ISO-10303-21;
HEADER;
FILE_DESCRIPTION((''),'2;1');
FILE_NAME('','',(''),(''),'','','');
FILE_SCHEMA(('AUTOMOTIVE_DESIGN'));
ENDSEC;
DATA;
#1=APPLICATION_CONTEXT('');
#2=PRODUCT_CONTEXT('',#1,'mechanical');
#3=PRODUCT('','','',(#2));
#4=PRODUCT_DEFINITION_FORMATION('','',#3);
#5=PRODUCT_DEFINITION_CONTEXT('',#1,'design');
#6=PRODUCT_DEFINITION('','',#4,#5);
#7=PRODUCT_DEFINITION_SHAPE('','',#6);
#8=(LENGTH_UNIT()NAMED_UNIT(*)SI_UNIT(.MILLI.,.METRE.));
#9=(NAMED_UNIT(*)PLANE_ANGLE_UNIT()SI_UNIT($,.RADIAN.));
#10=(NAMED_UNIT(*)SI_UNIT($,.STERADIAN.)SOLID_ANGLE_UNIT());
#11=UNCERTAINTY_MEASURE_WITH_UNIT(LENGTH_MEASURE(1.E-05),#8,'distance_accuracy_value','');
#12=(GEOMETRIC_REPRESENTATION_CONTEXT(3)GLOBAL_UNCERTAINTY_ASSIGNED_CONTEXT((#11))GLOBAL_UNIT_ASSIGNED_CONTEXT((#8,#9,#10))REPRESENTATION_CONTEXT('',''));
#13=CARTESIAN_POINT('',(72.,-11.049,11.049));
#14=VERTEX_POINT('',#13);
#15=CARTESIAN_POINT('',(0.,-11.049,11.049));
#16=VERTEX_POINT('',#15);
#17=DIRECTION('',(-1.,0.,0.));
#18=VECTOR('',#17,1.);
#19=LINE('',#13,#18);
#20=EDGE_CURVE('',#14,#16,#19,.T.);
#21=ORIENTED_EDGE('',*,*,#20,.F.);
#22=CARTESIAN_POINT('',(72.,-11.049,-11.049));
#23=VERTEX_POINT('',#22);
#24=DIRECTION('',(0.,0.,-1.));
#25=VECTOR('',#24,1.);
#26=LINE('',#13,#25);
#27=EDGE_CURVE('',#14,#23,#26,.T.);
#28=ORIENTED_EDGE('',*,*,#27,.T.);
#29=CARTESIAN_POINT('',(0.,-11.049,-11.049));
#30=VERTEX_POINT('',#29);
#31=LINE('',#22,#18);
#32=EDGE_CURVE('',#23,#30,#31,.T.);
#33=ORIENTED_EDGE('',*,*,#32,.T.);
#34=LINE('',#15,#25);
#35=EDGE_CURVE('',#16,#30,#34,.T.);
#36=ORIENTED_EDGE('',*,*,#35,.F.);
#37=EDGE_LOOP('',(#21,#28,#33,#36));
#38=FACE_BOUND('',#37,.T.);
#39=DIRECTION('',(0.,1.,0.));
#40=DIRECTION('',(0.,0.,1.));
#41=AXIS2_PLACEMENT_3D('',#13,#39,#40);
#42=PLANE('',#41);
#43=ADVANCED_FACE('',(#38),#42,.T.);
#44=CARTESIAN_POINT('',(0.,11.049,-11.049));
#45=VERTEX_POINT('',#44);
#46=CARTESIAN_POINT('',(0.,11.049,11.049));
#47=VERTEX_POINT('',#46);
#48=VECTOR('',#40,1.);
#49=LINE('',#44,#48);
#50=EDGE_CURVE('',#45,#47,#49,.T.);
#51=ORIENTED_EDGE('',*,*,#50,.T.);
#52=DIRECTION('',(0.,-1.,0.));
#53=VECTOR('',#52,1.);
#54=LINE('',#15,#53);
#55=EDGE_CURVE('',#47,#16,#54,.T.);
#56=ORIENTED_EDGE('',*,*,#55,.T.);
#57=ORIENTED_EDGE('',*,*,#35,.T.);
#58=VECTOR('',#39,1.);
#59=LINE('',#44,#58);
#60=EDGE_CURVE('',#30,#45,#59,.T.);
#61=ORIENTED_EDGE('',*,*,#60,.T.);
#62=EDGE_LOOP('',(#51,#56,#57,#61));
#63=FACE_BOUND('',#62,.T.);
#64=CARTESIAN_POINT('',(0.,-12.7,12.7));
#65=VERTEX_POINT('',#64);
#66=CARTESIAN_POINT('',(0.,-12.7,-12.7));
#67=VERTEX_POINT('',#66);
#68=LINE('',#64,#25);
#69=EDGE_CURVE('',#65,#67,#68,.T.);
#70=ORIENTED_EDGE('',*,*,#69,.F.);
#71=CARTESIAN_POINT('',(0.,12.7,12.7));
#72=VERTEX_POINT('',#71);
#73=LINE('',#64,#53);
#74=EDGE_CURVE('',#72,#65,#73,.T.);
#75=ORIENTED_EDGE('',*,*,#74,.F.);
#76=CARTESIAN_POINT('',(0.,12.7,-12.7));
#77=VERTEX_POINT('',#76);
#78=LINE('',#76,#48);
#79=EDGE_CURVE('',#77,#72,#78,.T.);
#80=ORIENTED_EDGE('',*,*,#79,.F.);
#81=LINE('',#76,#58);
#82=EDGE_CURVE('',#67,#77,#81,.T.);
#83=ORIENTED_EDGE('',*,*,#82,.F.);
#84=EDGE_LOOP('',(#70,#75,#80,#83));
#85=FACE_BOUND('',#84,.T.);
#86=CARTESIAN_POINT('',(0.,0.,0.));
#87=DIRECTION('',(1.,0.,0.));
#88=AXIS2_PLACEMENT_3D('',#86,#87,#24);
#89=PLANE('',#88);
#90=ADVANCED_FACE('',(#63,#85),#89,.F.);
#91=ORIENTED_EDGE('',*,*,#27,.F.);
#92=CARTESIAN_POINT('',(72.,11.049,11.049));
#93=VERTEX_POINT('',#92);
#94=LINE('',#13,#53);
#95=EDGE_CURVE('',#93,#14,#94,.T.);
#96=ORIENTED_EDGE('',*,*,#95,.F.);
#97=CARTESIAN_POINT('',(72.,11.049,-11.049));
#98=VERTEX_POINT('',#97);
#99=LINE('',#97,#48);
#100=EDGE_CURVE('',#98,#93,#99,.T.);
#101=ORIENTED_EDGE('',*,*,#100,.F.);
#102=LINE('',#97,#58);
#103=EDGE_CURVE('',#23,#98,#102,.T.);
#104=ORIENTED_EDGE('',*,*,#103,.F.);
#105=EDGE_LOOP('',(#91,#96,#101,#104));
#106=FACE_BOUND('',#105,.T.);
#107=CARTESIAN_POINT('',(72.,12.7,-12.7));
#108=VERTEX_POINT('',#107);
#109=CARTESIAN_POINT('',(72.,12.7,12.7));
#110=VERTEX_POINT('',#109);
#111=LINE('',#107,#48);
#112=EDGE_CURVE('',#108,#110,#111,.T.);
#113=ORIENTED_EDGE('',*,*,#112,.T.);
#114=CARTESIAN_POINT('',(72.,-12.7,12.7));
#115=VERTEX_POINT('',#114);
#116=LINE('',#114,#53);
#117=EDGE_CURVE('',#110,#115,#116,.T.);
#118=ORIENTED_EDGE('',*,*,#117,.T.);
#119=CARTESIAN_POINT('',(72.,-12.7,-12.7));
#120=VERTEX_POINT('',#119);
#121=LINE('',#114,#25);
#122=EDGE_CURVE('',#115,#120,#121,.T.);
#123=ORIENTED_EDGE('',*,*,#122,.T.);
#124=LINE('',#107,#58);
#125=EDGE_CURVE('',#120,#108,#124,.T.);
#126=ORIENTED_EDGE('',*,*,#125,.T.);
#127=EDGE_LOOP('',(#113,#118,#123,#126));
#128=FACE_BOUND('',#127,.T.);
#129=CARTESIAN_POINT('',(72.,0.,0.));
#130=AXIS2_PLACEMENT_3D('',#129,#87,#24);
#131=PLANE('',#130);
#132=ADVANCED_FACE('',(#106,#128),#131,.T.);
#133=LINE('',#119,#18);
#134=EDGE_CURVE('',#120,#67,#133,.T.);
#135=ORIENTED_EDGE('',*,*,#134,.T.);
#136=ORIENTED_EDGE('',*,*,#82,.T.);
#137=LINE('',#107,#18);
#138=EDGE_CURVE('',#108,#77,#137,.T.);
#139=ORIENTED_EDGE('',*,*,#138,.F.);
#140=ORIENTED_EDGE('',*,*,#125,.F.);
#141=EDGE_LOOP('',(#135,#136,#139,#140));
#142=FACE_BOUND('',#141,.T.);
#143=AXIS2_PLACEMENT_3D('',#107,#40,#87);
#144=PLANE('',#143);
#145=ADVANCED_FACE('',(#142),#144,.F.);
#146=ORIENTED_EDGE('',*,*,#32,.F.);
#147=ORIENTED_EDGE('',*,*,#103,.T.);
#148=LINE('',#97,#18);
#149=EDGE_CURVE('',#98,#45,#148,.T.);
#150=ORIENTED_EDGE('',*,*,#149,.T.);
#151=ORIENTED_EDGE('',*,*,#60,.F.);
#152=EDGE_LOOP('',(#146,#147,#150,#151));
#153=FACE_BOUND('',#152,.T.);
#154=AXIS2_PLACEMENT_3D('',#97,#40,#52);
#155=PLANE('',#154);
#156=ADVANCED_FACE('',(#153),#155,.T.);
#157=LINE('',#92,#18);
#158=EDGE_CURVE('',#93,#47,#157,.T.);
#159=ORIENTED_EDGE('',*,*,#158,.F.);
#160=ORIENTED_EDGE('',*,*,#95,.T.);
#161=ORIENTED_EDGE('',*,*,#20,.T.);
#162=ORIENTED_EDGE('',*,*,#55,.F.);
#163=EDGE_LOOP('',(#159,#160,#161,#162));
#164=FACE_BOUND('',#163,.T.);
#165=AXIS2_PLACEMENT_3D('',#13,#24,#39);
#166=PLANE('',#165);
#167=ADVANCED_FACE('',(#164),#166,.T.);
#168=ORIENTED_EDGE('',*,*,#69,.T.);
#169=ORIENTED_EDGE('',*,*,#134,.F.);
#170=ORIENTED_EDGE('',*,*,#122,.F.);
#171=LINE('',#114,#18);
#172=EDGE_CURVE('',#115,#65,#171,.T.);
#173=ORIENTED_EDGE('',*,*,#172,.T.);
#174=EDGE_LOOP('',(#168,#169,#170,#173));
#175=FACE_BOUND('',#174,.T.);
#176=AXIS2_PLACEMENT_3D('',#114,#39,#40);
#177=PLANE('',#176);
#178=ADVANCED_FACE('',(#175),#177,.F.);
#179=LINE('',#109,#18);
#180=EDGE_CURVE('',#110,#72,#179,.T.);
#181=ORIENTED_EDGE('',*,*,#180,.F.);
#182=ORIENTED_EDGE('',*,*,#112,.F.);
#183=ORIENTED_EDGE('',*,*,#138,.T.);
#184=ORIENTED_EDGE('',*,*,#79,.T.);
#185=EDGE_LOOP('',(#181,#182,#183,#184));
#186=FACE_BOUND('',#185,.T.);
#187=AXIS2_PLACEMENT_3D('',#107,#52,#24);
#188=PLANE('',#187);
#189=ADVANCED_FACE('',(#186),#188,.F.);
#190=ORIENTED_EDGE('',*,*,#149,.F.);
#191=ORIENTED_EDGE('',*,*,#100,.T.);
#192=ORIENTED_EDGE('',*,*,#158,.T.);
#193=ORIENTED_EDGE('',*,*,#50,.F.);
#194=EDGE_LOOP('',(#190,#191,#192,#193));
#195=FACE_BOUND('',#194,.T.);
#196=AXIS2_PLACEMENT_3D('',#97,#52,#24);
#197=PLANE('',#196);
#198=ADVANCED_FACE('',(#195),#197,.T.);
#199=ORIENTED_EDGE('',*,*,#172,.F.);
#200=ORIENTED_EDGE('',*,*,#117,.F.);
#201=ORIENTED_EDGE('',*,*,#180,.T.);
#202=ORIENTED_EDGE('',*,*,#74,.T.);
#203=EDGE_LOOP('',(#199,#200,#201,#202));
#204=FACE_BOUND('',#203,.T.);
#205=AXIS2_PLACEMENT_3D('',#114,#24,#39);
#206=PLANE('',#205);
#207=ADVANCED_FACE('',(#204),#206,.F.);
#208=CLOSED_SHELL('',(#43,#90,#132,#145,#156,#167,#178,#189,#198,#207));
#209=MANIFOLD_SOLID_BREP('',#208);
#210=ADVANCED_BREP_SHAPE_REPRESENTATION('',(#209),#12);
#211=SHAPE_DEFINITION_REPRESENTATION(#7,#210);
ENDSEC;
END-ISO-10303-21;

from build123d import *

# Parameters (mm, degrees)
SKETCH16_W                                     = 25.4
SKETCH16_H                                     = 25.4
SKETCH16_W_2                                   = 22.098
SKETCH16_H_2                                   = 22.098
AL_TUBE_SQUARE_AL_TUBE_1_SQR_X_0_065_WAL_DEPTH = 72


with BuildPart() as part:
    # Sketch16 → Al tube square AL TUBE 1 SQR X 0.065 WALL(1) (new body)
    with BuildSketch(Plane(origin=(0, 0, 0), x_dir=(0, 0, -1), z_dir=(1, 0, 0))):
        Rectangle(SKETCH16_W, SKETCH16_H)
        Rectangle(SKETCH16_W_2, SKETCH16_H_2, mode=Mode.SUBTRACT)
    extrude(amount=AL_TUBE_SQUARE_AL_TUBE_1_SQR_X_0_065_WAL_DEPTH)


solid = part.part
